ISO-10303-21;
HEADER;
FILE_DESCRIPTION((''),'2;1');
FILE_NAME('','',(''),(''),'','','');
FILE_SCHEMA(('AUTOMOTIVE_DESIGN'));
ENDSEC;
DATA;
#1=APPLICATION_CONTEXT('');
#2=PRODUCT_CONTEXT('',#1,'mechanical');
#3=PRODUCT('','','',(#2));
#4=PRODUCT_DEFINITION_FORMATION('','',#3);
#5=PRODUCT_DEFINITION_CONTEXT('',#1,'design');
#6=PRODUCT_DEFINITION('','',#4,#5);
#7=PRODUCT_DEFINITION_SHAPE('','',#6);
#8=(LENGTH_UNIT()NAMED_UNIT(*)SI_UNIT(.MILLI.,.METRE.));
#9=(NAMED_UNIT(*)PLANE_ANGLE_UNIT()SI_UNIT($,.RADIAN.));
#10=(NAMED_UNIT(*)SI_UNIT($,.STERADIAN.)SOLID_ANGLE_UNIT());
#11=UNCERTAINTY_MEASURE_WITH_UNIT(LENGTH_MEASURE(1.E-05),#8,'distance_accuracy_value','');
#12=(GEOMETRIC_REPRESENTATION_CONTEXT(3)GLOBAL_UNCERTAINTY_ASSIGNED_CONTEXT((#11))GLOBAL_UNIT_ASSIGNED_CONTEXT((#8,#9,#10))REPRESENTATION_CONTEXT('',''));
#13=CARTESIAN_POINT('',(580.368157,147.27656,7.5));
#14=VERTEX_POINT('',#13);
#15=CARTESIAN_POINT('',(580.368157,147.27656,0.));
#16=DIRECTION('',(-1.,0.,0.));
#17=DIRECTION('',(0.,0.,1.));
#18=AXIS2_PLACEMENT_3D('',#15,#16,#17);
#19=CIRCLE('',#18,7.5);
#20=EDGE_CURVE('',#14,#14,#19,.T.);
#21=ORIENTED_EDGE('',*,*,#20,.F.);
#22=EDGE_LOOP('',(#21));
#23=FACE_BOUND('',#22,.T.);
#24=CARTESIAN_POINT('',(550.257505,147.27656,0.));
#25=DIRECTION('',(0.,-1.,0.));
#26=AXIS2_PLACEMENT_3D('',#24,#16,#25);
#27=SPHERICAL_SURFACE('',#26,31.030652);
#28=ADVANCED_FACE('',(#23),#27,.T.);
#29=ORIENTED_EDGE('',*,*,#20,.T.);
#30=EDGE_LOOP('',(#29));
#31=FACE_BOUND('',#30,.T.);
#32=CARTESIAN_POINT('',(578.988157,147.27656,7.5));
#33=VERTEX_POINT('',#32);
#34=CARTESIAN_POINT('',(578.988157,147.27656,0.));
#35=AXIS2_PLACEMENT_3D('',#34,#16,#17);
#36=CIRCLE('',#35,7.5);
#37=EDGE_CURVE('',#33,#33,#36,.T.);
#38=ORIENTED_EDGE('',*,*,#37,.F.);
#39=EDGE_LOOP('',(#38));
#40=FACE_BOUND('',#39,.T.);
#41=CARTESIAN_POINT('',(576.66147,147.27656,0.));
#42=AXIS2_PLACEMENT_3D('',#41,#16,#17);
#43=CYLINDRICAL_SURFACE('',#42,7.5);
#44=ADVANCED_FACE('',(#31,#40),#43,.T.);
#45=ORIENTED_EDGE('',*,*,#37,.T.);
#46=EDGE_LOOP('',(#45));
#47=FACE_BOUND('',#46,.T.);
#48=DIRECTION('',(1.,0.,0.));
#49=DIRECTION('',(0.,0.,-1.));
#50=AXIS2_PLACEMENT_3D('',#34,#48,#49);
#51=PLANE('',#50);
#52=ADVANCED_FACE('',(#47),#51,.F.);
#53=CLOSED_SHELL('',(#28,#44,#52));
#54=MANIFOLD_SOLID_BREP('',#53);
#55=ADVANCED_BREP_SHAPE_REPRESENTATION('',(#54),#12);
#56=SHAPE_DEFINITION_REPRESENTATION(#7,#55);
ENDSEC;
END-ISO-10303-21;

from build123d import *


with BuildPart() as part:
    # 草图1 → 旋转1 (revolve)
    with BuildSketch(Plane.XY, mode=Mode.PRIVATE) as revolve_1_sk:
        with BuildLine():
            Line((578.9881568, 147.276559922), (578.9881568, 154.776559922))
            Line((578.9881568, 154.776559922), (580.3681568, 154.776559922))
            ThreePointArc((580.3681568, 154.776559922), (581.057298039, 151.054667914), (581.2881568, 147.276559922))
            Line((581.2881568, 147.276559922), (578.9881568, 147.276559922))
        make_face()
    revolve(revolve_1_sk.sketch.rotate(Axis((576.661469742, 147.276559922, 0), (1, 0, 0)), 180), axis=Axis((576.661469742, 147.276559922, 0), (1, 0, 0)))  # turned: the seam where the file's is


solid = part.part
